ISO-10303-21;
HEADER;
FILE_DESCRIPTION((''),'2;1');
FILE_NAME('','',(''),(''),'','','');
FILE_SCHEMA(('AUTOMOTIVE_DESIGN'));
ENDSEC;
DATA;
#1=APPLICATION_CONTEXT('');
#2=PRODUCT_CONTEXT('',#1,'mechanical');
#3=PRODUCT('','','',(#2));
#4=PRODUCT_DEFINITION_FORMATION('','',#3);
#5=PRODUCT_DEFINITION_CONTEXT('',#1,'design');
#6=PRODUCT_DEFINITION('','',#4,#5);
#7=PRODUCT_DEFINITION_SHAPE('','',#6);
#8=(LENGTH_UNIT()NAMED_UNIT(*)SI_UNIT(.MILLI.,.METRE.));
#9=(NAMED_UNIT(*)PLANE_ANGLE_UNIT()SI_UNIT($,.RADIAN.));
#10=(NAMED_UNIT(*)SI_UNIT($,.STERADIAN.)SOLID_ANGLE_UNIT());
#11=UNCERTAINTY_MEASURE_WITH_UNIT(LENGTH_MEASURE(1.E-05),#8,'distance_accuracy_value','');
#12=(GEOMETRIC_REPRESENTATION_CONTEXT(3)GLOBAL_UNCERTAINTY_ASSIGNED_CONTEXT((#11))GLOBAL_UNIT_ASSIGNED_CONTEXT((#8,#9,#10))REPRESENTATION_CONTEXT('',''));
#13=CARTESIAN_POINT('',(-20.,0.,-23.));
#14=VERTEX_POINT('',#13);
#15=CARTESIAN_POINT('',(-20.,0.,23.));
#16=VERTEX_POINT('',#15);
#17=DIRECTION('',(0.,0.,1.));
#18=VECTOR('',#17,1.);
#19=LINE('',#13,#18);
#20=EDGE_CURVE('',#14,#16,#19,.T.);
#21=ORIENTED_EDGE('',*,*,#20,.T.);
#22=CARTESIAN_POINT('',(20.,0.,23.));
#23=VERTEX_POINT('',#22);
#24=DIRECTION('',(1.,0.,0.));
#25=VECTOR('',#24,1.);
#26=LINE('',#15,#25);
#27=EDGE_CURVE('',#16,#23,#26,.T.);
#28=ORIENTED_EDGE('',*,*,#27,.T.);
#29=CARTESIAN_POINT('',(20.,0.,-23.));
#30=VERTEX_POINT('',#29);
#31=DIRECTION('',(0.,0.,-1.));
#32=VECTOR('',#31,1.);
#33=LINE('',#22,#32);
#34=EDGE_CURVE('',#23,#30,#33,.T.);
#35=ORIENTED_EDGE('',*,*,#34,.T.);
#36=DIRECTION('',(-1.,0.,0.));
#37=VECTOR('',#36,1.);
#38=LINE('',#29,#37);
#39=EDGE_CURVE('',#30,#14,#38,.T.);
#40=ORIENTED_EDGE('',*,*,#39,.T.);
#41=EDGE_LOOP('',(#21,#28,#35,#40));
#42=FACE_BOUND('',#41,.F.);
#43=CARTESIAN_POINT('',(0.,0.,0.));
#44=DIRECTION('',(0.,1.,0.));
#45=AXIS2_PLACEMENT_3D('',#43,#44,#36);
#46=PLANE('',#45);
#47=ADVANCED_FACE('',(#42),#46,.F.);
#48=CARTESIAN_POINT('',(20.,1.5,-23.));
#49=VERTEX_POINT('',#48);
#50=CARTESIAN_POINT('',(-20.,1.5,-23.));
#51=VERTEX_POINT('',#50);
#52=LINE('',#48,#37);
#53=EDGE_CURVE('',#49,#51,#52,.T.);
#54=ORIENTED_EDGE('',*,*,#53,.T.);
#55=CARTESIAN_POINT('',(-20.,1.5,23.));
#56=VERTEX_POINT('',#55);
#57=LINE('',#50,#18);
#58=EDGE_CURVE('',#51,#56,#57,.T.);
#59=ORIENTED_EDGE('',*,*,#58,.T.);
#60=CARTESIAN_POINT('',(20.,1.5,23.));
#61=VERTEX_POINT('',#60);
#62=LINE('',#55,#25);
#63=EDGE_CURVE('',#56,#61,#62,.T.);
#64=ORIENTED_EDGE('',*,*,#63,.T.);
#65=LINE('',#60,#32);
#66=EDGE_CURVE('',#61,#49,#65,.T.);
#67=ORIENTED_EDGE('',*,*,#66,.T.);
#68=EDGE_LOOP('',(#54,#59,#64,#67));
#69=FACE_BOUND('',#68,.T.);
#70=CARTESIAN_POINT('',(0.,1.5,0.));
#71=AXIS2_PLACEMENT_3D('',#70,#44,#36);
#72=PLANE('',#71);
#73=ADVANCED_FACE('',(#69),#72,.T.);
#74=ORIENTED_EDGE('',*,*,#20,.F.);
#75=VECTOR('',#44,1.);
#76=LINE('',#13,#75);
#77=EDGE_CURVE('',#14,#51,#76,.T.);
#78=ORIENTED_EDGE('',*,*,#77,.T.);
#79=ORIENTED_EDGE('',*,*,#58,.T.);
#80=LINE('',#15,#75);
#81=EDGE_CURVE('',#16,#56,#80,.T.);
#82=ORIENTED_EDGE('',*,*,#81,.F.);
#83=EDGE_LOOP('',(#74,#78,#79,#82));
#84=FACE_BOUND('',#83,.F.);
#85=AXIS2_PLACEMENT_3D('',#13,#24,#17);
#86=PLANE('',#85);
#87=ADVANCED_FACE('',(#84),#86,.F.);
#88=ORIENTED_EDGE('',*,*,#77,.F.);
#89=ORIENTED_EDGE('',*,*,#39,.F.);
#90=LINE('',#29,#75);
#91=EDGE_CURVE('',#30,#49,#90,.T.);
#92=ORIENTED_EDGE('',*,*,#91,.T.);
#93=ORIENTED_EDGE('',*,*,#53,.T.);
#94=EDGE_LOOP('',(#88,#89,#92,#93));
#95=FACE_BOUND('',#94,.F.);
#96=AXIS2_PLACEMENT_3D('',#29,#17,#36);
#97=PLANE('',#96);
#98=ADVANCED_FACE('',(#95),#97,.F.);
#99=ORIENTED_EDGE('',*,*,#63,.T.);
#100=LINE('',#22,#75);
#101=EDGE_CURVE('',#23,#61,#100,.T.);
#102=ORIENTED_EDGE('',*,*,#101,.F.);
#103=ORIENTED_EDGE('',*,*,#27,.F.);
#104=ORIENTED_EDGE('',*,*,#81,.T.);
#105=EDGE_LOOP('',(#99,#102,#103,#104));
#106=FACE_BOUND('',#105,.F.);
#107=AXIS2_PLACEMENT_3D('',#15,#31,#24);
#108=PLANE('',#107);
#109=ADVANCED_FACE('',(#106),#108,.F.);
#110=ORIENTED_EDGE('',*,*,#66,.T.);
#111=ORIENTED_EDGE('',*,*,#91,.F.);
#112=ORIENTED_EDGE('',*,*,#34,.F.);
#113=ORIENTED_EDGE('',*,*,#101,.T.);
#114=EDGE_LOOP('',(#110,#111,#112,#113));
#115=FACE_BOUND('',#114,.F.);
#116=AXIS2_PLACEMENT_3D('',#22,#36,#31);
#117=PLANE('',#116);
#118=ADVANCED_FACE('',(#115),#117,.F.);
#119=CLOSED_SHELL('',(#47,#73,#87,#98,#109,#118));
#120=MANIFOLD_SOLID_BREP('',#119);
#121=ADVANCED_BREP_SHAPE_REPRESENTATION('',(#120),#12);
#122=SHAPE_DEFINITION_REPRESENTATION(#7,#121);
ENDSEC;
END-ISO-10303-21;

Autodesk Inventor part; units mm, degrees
ref_plane "YZ Plane" through (0, 0, 0) normal (1, 0, 0) x (0, 1, 0)
ref_plane "XZ Plane" through (0, 0, 0) normal (0, 1, 0) x (-1, 0, 0)
ref_plane "XY Plane" through (0, 0, 0) normal (0, 0, 1) x (1, 0, 0)
sketch "スケッチ1" plane through (0, 0, 0) normal (0, 1, 0) x (-1, 0, 0)
  line L0 (20, 23) -> (-20, 23)
  line L1 (-20, 23) -> (-20, -23)
  line L2 (-20, -23) -> (20, -23)
  line L3 (20, -23) -> (20, 23)
  line L4 (20, 23) -> (-20, -23) construction
  line L5 (-20, 23) -> (20, -23) construction
  point P0 (0, 0)
  dimension "d0" = 40
  dimension "d1" = 46
extrude "押し出し1" add sketch "スケッチ1" along normal blind 1.5
properties part number "almi2"
